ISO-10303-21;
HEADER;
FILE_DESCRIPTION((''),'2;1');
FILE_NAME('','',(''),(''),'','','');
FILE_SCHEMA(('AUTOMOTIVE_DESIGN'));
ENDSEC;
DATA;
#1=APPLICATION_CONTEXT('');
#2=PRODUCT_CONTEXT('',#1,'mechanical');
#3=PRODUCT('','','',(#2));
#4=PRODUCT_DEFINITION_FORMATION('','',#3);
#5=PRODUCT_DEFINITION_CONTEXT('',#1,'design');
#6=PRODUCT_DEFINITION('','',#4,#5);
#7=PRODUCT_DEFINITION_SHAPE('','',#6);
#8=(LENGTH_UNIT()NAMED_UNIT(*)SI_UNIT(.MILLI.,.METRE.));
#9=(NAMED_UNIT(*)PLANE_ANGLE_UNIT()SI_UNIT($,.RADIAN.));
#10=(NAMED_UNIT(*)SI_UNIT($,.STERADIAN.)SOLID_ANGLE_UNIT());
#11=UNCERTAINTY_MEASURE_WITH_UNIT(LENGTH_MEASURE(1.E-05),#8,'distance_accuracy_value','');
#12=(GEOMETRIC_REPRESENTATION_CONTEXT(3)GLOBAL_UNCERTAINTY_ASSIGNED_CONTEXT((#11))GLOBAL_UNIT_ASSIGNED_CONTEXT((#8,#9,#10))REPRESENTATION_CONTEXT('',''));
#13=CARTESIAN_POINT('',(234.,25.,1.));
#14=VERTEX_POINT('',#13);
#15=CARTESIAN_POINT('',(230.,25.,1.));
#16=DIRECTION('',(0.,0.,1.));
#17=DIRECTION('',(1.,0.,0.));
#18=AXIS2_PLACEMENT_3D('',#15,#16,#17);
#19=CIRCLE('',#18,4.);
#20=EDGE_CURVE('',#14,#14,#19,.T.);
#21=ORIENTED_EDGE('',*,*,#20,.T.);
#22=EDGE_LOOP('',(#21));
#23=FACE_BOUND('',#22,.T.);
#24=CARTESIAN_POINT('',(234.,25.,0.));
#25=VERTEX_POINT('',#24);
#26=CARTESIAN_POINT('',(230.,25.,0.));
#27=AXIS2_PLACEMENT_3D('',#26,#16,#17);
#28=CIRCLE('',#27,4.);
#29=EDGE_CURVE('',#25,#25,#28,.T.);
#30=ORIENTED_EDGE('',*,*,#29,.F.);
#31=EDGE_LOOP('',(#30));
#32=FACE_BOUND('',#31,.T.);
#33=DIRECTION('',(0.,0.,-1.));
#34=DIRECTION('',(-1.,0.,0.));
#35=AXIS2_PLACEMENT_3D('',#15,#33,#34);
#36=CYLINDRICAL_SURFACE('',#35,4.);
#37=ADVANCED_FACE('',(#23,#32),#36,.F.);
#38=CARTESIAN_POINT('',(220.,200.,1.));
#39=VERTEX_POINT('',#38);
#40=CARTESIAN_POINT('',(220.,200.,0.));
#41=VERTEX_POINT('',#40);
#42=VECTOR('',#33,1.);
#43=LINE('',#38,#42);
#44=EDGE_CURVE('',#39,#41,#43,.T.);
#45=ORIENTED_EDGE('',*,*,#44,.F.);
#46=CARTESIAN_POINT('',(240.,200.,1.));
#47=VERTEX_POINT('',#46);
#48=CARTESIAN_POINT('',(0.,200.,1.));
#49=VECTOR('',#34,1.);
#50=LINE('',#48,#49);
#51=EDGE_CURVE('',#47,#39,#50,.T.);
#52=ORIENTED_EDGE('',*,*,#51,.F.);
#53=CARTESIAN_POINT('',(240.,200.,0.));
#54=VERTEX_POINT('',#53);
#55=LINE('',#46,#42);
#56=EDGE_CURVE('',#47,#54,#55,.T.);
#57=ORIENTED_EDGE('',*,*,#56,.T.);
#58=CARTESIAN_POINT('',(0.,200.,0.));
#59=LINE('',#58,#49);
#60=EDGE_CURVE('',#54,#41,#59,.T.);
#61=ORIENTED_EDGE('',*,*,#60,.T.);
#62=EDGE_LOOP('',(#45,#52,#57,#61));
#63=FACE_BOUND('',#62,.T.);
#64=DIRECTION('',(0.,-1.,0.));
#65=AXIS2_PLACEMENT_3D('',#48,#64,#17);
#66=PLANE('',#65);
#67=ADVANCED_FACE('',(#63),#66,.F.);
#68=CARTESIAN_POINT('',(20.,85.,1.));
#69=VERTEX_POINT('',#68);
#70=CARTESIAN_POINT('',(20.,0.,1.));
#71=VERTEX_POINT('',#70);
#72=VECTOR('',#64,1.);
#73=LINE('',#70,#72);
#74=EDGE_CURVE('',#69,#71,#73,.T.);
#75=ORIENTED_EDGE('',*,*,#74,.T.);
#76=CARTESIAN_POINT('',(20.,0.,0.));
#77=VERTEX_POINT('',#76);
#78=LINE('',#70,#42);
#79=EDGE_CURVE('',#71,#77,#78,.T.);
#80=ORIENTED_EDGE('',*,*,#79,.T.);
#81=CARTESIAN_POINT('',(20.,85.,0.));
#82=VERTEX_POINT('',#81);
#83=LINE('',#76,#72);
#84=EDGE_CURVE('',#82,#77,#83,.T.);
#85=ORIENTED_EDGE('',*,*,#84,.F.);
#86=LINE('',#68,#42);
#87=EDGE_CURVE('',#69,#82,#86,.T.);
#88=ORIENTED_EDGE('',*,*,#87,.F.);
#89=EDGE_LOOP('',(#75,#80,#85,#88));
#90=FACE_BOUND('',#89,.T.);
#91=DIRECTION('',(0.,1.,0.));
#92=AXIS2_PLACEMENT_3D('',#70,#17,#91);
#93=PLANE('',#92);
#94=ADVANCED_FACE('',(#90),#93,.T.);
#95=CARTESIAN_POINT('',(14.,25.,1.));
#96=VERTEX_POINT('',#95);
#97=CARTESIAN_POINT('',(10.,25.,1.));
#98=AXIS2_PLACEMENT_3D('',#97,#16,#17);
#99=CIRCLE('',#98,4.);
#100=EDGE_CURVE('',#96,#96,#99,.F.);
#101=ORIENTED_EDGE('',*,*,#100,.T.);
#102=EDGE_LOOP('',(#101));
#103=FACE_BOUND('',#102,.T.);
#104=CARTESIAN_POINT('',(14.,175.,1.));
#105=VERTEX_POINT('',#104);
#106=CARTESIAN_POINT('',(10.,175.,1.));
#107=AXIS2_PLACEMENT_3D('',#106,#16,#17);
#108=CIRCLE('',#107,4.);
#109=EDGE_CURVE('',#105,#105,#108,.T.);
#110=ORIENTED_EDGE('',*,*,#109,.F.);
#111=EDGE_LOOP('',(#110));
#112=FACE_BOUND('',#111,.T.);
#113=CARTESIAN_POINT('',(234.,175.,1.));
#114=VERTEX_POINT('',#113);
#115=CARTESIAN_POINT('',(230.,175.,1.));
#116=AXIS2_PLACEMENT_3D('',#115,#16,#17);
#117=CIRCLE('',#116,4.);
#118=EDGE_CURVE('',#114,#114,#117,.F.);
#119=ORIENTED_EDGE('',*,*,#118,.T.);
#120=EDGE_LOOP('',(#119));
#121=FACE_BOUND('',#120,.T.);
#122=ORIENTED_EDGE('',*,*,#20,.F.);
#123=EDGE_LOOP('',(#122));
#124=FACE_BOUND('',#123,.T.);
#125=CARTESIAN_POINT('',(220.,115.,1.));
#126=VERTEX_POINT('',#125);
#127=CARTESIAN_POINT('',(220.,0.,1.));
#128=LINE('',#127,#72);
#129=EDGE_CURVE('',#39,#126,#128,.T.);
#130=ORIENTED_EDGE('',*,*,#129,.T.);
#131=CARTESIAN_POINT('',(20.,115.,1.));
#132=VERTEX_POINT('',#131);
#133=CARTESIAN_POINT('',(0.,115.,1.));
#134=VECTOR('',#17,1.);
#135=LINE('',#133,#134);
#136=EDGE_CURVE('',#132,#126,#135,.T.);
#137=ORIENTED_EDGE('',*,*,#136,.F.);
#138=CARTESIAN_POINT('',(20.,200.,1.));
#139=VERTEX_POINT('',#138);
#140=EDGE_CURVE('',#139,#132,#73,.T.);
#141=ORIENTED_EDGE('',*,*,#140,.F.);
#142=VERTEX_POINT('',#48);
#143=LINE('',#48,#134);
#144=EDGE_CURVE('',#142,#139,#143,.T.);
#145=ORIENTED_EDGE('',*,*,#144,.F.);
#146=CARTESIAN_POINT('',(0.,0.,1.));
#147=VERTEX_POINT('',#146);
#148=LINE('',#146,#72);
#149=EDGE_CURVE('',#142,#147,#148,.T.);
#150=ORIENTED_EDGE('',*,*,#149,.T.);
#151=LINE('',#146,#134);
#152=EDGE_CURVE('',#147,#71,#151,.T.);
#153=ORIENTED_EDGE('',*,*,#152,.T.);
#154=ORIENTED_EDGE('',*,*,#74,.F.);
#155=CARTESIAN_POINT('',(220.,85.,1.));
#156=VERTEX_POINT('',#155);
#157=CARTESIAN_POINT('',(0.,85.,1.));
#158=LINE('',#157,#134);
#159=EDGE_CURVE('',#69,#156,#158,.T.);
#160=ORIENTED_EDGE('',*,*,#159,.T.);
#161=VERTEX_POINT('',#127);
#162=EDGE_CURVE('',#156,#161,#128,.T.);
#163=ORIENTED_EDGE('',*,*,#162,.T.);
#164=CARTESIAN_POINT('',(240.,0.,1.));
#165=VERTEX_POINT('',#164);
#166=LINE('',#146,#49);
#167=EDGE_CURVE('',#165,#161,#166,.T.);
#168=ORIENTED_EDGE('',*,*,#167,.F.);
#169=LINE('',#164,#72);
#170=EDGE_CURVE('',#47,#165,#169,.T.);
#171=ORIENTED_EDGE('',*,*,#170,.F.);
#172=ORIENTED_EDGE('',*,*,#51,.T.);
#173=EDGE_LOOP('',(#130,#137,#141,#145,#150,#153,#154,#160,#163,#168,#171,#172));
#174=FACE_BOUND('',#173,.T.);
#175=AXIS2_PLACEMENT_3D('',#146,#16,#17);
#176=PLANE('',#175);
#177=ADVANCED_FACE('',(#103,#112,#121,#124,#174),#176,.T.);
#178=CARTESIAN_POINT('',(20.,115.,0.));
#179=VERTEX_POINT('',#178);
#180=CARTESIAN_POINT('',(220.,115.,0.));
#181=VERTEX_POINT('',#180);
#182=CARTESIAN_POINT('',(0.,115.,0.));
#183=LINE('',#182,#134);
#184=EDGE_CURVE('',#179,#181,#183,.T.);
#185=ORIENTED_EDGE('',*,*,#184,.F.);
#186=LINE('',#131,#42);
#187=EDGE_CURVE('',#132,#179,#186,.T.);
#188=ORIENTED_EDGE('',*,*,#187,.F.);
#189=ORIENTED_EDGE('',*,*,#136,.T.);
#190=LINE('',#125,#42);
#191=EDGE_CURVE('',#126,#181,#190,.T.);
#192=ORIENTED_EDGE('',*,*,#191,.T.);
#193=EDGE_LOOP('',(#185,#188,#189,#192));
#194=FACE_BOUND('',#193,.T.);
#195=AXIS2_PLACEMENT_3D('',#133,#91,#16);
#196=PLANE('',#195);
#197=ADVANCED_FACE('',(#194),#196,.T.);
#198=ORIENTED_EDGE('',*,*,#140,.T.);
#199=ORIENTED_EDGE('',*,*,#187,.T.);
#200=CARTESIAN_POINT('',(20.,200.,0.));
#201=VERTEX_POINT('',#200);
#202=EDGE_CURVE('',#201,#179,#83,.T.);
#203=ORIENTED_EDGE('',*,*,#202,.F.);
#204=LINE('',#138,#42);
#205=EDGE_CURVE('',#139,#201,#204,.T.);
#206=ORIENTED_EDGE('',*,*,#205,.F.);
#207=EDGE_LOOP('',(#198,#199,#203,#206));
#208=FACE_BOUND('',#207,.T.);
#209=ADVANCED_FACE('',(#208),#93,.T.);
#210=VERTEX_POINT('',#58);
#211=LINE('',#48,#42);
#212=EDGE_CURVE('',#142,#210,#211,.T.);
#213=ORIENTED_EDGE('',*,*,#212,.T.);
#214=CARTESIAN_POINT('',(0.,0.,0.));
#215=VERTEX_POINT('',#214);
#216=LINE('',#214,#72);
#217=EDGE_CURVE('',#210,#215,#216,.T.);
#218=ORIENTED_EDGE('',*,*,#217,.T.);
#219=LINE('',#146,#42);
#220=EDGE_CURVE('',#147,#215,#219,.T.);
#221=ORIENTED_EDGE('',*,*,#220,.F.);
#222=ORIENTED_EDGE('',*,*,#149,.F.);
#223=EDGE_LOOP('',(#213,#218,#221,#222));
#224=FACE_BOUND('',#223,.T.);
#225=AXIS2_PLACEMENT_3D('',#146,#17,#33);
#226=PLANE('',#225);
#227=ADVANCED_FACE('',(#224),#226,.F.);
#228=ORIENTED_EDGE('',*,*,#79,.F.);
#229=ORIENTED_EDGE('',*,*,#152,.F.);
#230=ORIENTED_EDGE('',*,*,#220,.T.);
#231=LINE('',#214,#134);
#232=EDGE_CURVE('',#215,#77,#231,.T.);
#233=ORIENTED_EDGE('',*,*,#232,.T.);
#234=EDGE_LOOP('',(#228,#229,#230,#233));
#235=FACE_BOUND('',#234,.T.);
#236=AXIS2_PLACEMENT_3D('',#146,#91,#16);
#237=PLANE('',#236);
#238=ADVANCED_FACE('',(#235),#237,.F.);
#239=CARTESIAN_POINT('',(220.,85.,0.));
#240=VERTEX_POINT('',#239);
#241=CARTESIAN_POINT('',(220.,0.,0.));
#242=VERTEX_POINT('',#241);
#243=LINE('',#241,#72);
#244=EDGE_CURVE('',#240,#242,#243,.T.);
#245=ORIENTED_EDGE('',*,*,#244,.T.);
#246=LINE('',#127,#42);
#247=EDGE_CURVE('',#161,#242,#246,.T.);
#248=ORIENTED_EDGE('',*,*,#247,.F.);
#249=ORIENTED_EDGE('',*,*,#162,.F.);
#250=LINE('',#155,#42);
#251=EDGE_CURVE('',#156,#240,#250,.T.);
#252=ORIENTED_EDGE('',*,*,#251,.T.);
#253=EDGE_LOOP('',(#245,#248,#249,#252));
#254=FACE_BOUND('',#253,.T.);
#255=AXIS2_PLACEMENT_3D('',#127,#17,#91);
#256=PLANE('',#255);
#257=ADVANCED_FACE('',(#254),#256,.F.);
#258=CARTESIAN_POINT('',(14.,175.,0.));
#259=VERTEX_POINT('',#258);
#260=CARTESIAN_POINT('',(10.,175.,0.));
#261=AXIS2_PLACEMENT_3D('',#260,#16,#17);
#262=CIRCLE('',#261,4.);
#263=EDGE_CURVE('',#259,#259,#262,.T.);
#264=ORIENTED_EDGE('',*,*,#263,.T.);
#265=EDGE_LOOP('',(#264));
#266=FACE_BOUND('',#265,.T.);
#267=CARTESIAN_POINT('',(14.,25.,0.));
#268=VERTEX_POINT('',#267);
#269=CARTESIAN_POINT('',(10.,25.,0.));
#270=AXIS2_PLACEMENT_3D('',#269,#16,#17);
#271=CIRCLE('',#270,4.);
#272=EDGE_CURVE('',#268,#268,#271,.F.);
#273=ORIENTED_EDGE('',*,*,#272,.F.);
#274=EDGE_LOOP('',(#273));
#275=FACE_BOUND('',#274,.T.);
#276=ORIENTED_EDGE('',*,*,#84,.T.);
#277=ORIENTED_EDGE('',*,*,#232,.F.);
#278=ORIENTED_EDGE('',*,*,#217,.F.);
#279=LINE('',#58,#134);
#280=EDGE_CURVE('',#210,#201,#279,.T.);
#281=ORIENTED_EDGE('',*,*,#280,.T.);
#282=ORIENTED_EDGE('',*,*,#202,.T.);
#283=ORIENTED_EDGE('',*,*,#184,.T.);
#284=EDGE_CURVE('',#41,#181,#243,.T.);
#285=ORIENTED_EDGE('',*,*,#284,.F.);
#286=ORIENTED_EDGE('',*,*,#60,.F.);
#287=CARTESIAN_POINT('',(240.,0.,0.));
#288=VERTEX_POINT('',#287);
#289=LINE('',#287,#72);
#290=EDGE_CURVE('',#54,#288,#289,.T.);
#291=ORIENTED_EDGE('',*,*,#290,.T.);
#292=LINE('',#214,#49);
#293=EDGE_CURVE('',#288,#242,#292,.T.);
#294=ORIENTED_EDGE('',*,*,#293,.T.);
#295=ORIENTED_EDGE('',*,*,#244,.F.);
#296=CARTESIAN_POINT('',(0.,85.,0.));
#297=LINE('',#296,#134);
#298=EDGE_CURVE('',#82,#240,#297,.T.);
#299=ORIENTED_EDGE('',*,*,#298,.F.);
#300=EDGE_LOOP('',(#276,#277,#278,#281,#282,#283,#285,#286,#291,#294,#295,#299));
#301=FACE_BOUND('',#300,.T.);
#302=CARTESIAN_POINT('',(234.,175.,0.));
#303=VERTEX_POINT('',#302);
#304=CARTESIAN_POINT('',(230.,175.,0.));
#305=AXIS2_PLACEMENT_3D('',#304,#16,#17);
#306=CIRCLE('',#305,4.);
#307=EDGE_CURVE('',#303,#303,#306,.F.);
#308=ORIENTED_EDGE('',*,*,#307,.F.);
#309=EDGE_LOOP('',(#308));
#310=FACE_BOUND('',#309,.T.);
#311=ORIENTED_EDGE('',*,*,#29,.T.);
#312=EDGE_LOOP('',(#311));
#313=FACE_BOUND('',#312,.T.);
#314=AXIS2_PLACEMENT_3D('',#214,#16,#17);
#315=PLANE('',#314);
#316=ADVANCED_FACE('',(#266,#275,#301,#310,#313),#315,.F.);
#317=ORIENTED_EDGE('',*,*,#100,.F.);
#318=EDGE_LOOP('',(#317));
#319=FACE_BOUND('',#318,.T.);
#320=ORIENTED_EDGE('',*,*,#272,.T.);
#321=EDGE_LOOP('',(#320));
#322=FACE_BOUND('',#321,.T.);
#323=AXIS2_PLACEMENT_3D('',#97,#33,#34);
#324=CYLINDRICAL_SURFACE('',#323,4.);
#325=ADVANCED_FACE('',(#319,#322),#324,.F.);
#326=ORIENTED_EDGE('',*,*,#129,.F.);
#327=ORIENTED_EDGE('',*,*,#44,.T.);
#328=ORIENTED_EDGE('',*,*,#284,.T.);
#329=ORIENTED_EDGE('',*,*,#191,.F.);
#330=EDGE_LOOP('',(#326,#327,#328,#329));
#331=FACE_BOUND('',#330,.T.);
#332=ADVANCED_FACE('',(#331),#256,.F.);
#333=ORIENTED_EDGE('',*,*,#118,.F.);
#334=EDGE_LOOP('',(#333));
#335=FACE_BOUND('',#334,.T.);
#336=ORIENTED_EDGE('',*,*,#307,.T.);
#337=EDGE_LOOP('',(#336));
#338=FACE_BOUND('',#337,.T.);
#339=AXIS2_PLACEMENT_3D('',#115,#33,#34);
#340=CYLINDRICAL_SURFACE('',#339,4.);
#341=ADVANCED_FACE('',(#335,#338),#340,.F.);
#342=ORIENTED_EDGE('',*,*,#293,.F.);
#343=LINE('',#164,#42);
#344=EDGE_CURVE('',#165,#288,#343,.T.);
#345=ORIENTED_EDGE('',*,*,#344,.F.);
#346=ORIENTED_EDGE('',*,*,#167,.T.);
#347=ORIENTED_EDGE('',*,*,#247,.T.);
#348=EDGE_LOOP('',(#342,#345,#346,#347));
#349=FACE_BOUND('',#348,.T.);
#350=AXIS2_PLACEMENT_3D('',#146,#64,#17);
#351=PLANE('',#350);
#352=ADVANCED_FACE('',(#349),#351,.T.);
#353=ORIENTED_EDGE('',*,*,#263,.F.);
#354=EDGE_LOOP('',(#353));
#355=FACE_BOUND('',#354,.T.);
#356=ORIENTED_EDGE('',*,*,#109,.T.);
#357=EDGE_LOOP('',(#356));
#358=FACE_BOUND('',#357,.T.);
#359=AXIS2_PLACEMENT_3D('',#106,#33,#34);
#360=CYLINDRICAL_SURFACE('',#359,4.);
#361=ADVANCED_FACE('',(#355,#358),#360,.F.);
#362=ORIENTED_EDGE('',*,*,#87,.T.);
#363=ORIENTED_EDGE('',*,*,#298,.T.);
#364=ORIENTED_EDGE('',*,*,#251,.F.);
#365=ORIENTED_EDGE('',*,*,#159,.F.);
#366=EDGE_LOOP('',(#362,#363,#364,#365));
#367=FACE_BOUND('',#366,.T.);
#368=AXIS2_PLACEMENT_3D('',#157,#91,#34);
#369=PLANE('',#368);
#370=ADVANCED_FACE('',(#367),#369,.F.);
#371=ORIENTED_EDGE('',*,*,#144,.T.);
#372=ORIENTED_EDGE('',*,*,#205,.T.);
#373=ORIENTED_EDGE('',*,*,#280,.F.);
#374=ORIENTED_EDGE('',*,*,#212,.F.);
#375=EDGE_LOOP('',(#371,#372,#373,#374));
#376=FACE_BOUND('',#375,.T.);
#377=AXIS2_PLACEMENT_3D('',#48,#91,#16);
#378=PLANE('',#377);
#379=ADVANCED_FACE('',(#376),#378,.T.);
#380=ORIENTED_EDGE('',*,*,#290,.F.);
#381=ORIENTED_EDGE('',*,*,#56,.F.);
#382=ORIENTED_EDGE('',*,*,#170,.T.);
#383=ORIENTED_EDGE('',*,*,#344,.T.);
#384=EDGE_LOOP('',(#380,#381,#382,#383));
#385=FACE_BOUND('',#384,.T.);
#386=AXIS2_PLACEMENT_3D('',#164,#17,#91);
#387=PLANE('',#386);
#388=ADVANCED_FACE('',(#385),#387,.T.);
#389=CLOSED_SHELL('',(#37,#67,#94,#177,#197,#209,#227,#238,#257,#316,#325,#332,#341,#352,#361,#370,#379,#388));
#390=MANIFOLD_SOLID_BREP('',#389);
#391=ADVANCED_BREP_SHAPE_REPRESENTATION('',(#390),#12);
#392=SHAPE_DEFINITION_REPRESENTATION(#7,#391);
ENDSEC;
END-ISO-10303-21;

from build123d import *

# Parameters (mm, degrees)
SKETCH1_W           = 200
SKETCH1_H           = 30
SKETCH1_W_2         = 20
SKETCH1_H_2         = 200
SKETCH1_R           = 4
BOSS_EXTRUDE1_DEPTH = 1


with BuildPart() as part:
    # Sketch1 → Boss-Extrude1 (new body)
    with BuildSketch(Plane.XY):
        with Locations((120, 100)):
            Rectangle(SKETCH1_W, SKETCH1_H)
        with Locations((10, 100)):
            Rectangle(SKETCH1_W_2, SKETCH1_H_2)
        with Locations((10, 175)):
            Circle(SKETCH1_R, mode=Mode.SUBTRACT)
        with Locations((10, 25)):
            Circle(SKETCH1_R, mode=Mode.SUBTRACT)
        Polygon((220, 200), (220, 115), (220, 85), (220, 0), (240, 0), (240, 200), align=None)
        with Locations((230, 25)):
            Circle(SKETCH1_R, mode=Mode.SUBTRACT)
        with Locations((230, 175)):
            Circle(SKETCH1_R, mode=Mode.SUBTRACT)
    extrude(amount=BOSS_EXTRUDE1_DEPTH)


solid = part.part
